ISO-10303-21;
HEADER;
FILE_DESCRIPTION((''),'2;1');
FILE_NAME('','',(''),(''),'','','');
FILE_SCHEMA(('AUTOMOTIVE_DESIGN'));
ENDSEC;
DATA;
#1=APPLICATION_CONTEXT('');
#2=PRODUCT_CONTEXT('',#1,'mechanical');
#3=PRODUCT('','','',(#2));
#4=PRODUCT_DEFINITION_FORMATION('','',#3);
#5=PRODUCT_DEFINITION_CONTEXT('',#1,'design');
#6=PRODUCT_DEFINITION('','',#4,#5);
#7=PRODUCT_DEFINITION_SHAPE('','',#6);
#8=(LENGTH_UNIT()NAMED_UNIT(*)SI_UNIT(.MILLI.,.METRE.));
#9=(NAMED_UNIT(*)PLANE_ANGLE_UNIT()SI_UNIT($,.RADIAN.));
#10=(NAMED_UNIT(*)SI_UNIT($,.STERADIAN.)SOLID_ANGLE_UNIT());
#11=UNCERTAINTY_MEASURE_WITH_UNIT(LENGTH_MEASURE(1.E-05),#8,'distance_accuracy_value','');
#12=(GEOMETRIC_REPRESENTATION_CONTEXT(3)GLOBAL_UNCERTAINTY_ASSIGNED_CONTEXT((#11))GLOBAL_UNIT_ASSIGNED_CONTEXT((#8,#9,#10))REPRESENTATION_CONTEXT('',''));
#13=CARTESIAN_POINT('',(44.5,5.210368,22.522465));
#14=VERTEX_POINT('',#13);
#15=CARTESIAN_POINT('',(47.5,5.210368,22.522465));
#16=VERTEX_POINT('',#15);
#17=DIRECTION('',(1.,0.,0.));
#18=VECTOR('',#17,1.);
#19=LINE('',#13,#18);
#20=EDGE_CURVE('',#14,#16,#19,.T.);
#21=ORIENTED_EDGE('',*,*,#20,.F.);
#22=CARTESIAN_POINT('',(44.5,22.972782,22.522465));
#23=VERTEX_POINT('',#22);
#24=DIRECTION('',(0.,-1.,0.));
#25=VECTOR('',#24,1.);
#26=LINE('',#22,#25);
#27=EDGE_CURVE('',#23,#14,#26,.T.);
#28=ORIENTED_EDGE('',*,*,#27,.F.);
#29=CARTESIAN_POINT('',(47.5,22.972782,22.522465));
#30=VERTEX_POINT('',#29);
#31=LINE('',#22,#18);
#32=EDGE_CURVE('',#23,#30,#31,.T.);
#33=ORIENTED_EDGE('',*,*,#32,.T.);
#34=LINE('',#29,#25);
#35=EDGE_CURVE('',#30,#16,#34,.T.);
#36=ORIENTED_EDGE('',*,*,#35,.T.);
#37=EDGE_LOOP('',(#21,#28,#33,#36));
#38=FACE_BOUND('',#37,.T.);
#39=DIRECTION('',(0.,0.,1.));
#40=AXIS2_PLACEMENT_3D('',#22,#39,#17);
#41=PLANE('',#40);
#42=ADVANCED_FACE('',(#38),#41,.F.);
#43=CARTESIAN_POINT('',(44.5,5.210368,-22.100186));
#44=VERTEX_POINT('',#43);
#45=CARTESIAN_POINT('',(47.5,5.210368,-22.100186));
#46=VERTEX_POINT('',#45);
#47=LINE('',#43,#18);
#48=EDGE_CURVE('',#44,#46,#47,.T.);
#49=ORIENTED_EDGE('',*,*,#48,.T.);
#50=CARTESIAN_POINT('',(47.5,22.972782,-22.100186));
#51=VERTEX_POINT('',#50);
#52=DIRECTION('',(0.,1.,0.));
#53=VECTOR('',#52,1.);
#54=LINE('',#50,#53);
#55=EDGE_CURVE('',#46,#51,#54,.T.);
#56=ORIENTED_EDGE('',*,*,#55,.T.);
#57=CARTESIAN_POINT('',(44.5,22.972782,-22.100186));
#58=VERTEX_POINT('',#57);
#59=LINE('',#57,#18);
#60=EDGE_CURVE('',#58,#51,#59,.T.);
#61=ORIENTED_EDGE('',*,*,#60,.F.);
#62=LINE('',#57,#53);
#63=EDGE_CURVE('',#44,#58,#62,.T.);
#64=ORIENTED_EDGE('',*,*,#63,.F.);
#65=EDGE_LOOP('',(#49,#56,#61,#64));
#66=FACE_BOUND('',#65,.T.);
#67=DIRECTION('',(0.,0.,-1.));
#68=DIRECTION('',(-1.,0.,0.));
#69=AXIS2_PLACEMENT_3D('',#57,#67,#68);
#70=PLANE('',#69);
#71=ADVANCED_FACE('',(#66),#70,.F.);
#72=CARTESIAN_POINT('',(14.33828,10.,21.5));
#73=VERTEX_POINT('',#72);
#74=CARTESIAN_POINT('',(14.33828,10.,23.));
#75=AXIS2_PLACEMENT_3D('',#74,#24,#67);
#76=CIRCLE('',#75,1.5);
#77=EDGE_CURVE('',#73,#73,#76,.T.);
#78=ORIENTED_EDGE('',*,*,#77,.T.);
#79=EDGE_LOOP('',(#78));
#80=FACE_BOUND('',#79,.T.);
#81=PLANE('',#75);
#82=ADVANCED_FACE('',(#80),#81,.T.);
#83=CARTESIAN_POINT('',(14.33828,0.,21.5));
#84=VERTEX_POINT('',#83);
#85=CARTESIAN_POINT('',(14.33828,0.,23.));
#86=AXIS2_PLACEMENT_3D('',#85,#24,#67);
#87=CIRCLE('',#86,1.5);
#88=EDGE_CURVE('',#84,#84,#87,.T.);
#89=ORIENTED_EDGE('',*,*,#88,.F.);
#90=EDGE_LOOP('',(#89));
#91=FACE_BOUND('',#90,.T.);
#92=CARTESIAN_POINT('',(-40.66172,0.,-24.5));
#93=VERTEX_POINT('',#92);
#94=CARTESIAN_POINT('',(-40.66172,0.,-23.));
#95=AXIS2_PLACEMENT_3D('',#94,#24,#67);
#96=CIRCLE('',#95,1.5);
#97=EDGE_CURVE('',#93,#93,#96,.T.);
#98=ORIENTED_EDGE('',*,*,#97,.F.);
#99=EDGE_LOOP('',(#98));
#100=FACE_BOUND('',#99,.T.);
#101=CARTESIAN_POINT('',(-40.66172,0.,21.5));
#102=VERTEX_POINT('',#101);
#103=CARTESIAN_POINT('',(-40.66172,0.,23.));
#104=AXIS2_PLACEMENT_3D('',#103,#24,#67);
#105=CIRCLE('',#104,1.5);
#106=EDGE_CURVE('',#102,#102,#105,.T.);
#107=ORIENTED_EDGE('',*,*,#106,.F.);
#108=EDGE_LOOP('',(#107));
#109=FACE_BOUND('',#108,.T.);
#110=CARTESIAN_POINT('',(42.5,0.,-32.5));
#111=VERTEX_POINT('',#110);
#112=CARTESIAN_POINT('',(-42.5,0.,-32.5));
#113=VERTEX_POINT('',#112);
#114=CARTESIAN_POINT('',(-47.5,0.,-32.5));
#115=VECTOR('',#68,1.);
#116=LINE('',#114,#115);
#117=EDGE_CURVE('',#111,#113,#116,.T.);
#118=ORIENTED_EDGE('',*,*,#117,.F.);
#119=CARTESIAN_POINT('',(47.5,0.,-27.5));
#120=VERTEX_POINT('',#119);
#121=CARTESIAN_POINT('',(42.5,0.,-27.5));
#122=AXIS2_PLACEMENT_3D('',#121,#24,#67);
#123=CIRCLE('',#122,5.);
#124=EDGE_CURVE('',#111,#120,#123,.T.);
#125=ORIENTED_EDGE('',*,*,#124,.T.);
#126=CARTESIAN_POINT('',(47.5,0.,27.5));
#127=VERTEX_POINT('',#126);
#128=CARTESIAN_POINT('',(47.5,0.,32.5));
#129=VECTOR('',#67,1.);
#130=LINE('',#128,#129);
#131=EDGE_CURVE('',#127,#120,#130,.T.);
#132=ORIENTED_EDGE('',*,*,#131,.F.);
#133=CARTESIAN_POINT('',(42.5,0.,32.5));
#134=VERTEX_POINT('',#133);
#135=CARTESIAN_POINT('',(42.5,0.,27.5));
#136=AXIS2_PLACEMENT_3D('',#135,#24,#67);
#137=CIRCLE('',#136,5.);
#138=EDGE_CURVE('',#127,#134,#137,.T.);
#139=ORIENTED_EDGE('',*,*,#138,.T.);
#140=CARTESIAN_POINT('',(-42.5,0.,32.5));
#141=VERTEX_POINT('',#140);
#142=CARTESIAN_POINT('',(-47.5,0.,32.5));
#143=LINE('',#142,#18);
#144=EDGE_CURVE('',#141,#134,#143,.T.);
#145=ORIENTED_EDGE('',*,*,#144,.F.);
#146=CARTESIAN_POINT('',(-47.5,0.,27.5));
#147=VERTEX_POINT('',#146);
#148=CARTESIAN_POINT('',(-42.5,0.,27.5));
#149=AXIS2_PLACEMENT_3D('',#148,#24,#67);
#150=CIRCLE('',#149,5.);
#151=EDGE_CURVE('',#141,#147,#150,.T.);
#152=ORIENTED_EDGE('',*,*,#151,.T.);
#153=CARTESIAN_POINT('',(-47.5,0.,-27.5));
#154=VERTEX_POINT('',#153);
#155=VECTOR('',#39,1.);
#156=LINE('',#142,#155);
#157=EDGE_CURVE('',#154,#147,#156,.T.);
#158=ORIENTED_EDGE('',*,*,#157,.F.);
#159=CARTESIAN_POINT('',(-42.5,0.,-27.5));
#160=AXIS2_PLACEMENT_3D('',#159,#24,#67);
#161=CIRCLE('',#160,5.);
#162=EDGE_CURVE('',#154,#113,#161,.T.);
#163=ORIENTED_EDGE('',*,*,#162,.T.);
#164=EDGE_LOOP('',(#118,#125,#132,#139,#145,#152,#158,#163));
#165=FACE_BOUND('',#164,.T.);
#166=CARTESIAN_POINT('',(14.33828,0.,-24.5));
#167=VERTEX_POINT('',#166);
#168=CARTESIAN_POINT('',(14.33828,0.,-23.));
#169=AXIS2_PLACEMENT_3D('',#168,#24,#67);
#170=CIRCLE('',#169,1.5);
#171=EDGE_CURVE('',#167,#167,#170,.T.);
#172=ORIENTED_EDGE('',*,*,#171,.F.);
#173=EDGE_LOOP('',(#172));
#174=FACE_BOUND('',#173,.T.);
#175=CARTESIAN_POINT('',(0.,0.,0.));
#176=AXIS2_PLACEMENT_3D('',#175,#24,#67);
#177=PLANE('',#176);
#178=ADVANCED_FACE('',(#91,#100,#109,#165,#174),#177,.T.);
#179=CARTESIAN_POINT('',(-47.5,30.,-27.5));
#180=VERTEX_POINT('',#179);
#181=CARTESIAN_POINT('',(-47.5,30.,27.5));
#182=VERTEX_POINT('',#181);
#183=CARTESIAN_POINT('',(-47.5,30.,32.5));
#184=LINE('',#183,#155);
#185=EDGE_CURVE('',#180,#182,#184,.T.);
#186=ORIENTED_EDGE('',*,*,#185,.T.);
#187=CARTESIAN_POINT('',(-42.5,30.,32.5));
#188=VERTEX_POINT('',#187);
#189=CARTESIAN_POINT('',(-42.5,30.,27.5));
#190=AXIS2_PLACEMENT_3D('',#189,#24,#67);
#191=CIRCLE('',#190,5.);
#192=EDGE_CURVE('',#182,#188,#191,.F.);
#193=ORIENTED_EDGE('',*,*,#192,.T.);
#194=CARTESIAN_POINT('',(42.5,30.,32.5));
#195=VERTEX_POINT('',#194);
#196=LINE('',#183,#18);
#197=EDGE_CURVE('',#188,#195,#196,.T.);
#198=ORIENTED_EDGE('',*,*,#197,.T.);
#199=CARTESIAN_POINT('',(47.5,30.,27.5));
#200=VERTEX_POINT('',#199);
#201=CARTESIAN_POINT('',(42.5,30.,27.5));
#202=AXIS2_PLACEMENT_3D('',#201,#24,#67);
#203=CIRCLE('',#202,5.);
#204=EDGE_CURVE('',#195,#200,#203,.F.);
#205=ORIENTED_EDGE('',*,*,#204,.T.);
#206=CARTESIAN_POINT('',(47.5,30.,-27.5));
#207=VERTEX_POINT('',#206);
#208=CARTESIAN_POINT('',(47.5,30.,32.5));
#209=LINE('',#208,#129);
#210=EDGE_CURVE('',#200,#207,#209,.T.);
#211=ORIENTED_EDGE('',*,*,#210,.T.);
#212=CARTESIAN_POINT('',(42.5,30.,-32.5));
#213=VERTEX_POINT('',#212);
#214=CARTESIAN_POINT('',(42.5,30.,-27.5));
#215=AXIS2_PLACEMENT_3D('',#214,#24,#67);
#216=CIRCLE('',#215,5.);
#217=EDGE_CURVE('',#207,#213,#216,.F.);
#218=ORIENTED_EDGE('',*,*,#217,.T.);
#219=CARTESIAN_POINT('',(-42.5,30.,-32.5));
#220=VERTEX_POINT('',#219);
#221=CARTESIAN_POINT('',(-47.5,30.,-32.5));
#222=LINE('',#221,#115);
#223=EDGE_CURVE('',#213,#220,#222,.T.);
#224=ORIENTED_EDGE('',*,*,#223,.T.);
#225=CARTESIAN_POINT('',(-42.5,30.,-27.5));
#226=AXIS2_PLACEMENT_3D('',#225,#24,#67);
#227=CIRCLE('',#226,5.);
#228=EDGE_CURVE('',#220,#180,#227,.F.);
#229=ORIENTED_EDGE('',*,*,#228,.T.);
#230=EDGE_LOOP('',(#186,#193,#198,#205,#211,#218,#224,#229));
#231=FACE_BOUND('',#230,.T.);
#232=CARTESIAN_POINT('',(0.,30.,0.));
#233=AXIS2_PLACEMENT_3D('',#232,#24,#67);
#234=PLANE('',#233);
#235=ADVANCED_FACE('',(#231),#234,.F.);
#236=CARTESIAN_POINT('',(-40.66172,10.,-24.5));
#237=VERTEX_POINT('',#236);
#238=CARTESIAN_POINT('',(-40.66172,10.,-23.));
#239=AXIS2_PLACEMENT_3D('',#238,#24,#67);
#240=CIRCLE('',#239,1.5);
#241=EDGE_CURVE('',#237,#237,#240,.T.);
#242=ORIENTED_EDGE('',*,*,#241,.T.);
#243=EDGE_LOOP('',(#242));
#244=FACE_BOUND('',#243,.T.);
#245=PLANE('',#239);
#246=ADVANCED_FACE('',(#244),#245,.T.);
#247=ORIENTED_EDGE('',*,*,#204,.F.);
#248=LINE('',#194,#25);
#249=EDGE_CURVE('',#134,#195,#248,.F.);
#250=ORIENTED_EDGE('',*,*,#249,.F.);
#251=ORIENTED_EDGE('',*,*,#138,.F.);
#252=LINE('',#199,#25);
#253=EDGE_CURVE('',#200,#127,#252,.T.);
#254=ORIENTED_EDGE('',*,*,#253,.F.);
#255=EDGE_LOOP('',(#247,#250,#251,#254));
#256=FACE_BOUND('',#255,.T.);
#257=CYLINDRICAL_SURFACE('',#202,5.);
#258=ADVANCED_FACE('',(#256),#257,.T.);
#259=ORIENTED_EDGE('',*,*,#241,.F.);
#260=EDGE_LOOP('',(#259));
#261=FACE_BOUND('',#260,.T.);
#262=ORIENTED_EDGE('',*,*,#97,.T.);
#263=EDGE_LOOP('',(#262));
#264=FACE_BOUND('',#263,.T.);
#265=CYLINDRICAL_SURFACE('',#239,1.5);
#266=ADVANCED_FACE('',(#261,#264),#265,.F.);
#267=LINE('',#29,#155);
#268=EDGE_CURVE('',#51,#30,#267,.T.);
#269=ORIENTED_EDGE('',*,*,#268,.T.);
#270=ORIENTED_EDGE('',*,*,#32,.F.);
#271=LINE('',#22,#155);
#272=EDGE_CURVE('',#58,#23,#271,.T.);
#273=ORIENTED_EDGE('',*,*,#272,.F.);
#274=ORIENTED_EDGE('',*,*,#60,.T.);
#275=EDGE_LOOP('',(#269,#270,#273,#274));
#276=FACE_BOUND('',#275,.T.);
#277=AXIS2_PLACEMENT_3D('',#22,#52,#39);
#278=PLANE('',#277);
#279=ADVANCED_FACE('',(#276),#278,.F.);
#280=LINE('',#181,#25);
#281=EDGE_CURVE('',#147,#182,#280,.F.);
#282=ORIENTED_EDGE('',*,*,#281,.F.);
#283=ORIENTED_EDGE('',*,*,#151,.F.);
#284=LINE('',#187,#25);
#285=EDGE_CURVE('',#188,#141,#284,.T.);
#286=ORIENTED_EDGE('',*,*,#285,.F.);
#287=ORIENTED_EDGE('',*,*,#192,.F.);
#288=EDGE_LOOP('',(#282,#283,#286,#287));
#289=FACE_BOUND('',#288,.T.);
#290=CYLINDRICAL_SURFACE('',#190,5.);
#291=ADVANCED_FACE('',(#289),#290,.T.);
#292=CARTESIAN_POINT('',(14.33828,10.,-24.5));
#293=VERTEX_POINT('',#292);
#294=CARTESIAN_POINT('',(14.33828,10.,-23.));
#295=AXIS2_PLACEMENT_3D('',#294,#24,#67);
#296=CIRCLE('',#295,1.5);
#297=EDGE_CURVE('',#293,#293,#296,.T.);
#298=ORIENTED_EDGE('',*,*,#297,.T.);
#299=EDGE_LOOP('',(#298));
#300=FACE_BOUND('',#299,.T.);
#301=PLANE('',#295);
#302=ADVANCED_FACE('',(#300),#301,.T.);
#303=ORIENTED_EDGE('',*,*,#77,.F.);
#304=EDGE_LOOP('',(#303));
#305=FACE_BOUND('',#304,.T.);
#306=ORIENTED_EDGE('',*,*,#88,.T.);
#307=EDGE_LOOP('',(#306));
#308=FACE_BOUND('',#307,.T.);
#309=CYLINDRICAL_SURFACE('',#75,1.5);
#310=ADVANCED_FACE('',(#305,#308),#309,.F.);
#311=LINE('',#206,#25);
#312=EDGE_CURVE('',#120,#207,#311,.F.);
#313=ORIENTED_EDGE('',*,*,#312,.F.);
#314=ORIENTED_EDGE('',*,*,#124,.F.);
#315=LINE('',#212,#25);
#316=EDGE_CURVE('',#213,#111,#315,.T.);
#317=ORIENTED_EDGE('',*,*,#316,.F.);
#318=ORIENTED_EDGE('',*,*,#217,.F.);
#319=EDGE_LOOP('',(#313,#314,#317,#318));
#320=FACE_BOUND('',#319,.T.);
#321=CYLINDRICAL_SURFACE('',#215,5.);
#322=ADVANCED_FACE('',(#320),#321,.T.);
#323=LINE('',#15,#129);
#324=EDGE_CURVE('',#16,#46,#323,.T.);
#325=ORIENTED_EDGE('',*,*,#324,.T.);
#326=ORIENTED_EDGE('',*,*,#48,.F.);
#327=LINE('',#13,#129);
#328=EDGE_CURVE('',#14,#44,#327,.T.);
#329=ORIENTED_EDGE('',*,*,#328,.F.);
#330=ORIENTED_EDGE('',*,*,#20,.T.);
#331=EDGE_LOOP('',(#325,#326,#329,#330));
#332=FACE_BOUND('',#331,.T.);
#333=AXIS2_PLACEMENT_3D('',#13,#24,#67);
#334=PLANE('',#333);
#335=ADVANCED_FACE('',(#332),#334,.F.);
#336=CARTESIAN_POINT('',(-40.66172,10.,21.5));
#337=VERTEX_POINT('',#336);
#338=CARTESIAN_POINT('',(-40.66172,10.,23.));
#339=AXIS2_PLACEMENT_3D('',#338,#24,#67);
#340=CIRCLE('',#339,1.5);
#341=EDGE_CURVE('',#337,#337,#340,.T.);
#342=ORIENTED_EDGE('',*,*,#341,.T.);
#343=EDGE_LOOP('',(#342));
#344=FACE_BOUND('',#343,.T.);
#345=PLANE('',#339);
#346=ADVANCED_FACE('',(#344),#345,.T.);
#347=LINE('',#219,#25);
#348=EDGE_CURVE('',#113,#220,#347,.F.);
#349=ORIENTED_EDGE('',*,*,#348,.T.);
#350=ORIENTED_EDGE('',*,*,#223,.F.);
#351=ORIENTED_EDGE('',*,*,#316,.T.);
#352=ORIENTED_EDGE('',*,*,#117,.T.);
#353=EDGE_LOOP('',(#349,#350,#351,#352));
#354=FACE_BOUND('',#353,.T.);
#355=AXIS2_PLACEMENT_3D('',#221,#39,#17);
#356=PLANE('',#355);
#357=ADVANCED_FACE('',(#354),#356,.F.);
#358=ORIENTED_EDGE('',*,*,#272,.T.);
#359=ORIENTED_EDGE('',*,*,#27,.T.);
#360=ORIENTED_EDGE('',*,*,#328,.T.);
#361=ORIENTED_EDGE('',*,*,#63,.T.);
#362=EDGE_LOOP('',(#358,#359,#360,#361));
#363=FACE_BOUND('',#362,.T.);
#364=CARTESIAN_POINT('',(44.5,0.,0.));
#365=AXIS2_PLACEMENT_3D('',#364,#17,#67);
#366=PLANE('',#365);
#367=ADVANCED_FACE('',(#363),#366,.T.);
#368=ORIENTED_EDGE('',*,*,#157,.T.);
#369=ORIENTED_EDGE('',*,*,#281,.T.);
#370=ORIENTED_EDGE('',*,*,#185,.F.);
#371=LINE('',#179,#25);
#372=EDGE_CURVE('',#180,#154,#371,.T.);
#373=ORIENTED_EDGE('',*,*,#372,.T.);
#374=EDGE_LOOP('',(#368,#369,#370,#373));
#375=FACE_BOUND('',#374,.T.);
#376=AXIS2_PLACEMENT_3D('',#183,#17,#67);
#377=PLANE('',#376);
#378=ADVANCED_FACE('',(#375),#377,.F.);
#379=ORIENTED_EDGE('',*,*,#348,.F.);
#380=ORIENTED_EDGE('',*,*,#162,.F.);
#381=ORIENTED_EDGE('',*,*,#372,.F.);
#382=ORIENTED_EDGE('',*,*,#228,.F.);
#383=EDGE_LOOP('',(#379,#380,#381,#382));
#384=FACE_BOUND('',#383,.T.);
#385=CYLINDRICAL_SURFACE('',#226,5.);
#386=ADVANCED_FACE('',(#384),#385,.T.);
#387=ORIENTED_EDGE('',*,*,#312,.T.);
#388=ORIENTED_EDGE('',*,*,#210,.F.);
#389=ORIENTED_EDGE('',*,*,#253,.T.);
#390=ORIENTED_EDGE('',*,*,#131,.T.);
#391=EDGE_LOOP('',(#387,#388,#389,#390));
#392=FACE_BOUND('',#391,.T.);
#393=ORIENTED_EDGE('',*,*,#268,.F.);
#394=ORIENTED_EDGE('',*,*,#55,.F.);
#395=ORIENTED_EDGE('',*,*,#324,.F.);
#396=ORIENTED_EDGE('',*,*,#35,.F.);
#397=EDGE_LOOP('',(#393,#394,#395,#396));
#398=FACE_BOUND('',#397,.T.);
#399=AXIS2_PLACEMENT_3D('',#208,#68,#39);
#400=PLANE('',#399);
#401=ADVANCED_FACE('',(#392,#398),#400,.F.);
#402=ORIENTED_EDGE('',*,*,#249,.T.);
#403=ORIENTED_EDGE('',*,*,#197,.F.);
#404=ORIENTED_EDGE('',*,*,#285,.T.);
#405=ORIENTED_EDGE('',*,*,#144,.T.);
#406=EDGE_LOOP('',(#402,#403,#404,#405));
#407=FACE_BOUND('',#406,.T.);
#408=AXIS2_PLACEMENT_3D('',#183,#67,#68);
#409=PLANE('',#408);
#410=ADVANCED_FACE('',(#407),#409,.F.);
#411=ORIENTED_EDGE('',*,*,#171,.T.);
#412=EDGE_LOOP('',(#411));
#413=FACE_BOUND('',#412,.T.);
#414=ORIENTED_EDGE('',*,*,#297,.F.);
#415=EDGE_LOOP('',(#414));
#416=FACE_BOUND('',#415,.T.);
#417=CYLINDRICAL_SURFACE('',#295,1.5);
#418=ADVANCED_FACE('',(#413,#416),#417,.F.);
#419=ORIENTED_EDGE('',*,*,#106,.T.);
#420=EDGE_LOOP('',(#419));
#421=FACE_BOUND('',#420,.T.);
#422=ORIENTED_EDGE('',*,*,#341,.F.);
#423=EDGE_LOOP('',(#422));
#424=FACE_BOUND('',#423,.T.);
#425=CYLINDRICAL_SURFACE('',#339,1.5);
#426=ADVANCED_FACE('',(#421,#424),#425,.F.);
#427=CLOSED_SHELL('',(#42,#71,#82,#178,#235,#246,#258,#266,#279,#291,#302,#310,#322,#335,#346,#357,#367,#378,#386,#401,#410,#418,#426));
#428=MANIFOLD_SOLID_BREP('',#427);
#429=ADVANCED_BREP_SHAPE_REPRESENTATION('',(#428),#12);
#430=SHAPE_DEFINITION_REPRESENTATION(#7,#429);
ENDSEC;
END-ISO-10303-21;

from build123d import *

# Parameters (mm, degrees)
SKETCH_2_W          = 95
SKETCH_2_H          = 65
EXTRUDE_1_DEPTH     = 30
FILLET_1_R          = 5
SKETCH_3_R          = 1.5
CUT_EXTRUDE_1_DEPTH = 10
SKETCH_4_W          = 44.622650634
SKETCH_4_H          = 17.76241433
CUT_EXTRUDE_2_DEPTH = 3


with BuildPart() as part:
    # 草图2 → 凸台-拉伸1 (new body)
    with BuildSketch(Plane(origin=(0, 0, 0), x_dir=(1, 0, 0), z_dir=(0, 1, 0))):
        Rectangle(SKETCH_2_W, SKETCH_2_H)
    extrude(amount=EXTRUDE_1_DEPTH)

    # 圆角1
    fillet_1_edges = [part.edges().sort_by_distance(p)[0] for p in [
        (47.5, 15, 32.5),
        (-47.5, 15, 32.5),
        (-47.5, 15, -32.5),
        (47.5, 15, -32.5),
    ]]
    fillet(fillet_1_edges, radius=FILLET_1_R)

    # 草图3 → 切除-拉伸1 (cut)
    with BuildSketch(Plane.XZ):
        with Locations(Location((-40.661720084, 23, 0), (0, 0, 270))):
            Circle(SKETCH_3_R)
        with Locations(Location((-40.661720084, -23, 0), (0, 0, 270))):
            Circle(SKETCH_3_R)
        with Locations(Location((14.338279916, 23, 0), (0, 0, 270))):
            Circle(SKETCH_3_R)
        with Locations(Location((14.338279916, -23, 0), (0, 0, 270))):
            Circle(SKETCH_3_R)
    extrude(amount=-CUT_EXTRUDE_1_DEPTH, mode=Mode.SUBTRACT)

    # 草图4 → 切除-拉伸2 (cut)
    with BuildSketch(Plane(origin=(47.5, 0, 0), x_dir=(0, 0, -1), z_dir=(1, 0, 0))):
        with Locations((-0.211139555, 14.091574869)):
            Rectangle(SKETCH_4_W, SKETCH_4_H)
    extrude(amount=-CUT_EXTRUDE_2_DEPTH, mode=Mode.SUBTRACT)


solid = part.part
